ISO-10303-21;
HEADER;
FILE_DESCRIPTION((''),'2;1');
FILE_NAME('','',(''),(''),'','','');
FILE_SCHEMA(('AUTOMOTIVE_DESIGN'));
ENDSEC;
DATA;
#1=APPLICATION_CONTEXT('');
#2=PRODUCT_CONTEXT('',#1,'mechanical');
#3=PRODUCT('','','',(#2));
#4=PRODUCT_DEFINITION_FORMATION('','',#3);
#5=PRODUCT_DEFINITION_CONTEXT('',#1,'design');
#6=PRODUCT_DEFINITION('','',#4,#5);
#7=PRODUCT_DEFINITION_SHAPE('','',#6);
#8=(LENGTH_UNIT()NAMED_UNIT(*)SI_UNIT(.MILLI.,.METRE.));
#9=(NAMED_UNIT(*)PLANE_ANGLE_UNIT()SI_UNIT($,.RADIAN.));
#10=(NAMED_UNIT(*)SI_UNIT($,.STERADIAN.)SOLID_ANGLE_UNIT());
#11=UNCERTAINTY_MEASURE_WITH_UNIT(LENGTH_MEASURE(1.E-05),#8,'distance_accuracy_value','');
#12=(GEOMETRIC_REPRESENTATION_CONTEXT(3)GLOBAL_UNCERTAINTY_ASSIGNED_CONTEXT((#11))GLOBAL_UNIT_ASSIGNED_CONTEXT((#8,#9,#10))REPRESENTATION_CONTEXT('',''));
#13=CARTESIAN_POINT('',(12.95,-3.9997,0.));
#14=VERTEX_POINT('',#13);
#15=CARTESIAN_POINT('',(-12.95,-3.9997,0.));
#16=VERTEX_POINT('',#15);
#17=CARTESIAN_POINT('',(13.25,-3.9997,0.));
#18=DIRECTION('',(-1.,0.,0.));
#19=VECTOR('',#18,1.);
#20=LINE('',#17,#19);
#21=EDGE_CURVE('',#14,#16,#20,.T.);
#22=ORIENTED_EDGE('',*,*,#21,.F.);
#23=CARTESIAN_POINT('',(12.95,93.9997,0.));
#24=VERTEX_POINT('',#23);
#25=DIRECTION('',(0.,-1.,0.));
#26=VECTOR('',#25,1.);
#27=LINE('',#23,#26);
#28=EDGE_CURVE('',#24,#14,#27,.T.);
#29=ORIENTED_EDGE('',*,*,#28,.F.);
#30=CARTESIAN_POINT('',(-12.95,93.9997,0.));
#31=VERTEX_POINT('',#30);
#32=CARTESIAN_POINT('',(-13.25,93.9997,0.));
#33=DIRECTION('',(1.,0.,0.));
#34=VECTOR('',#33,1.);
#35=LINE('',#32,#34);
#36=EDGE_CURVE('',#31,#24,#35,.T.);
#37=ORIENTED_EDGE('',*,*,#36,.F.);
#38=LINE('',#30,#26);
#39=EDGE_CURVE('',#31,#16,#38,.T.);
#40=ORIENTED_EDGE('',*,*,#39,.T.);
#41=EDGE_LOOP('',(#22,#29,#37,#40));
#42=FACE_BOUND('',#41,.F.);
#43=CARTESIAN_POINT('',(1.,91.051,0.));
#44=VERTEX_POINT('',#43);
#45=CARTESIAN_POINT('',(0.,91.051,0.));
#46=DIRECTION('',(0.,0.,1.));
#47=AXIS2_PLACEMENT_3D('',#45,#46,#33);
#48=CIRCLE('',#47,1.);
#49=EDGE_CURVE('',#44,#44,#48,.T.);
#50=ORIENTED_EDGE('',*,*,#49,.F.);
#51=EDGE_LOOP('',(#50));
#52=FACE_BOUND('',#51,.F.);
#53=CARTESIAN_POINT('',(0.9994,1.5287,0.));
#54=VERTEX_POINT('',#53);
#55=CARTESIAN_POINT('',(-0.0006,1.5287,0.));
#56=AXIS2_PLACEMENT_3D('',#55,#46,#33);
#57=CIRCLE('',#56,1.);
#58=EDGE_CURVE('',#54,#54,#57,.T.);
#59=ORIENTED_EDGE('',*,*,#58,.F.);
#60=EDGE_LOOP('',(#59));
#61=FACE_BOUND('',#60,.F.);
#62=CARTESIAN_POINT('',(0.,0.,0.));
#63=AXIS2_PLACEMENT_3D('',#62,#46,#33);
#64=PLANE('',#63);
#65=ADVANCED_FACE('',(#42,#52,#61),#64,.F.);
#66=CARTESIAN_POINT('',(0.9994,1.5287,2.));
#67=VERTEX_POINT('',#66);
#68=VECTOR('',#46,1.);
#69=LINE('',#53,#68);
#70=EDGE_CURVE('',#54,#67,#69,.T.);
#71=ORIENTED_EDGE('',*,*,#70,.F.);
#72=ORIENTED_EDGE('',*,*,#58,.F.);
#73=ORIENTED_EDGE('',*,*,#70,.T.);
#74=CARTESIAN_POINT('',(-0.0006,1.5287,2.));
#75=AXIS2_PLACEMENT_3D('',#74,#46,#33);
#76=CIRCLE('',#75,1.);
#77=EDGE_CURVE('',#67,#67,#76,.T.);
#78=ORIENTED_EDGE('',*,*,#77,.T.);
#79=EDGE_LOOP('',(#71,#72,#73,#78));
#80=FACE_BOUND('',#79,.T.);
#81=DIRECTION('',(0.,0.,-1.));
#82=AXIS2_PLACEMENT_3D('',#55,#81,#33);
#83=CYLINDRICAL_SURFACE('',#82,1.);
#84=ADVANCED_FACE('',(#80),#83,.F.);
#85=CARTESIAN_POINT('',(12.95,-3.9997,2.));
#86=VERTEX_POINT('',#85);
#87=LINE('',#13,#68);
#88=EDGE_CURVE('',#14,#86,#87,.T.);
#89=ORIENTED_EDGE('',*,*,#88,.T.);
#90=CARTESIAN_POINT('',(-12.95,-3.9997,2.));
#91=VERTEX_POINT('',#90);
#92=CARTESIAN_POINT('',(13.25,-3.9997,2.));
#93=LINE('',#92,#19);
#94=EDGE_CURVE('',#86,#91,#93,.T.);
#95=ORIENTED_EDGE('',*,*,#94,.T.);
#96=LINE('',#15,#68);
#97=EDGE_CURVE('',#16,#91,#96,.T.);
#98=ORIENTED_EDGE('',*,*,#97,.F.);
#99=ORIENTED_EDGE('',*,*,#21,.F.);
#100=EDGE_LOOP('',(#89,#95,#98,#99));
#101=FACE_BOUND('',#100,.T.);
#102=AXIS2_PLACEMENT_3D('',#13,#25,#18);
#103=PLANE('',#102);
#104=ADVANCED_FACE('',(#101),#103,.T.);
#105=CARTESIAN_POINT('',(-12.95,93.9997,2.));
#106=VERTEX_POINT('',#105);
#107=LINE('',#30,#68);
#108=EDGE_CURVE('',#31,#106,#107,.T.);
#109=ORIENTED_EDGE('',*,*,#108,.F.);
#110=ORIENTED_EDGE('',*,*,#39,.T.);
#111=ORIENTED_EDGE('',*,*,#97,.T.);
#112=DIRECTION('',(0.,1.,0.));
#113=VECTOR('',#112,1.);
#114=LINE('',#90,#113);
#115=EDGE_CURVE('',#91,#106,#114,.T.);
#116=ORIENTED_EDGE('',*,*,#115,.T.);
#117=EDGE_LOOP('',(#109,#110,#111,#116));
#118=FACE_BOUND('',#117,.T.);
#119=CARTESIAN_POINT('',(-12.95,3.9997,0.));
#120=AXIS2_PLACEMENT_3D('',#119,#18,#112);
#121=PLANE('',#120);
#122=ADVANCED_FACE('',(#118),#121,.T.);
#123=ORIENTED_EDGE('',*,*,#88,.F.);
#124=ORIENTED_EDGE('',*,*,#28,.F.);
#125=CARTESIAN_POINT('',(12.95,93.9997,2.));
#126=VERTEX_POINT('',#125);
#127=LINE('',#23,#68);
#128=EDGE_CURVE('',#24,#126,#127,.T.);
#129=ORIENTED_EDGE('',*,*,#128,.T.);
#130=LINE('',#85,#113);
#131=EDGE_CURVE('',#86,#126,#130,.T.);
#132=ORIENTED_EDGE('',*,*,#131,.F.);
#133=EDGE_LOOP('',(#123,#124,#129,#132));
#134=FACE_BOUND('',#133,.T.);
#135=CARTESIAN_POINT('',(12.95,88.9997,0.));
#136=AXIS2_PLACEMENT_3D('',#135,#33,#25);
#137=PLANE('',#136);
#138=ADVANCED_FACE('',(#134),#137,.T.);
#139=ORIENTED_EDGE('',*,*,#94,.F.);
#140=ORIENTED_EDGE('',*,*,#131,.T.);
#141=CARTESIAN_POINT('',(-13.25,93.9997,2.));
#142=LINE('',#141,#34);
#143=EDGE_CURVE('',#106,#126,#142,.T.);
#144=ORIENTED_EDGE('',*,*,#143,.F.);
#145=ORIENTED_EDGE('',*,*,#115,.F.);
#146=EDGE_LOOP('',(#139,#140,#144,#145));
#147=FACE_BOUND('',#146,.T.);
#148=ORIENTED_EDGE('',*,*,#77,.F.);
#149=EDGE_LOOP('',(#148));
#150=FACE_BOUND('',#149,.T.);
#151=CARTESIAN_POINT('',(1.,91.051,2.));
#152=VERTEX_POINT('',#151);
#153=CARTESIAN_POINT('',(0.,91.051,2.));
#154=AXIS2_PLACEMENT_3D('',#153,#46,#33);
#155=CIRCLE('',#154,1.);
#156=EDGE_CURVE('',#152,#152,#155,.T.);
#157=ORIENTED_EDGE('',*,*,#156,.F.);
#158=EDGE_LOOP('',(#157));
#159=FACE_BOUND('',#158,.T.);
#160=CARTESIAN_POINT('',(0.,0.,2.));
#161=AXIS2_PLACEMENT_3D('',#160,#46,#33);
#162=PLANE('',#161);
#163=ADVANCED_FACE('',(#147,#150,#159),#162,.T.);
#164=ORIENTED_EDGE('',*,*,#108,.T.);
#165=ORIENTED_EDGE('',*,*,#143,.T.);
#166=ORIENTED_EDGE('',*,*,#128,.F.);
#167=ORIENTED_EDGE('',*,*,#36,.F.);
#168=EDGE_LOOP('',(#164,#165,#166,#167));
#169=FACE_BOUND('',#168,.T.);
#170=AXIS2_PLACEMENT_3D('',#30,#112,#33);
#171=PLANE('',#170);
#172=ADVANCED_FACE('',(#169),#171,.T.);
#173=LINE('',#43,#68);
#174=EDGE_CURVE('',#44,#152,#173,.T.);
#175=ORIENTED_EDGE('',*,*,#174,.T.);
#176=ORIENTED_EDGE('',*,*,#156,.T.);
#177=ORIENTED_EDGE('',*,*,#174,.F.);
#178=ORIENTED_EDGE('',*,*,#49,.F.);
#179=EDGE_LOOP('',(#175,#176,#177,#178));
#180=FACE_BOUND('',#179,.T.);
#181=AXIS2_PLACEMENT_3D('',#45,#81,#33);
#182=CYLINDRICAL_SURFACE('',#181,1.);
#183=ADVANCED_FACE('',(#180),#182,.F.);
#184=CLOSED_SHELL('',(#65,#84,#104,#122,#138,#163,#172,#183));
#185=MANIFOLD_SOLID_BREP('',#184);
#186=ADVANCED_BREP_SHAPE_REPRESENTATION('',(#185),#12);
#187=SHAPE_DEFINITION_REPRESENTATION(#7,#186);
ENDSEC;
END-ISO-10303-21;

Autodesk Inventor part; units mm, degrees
ref_plane "YZ Plane" through (0, 0, 0) normal (1, 0, 0) x (0, 1, 0)
ref_plane "XZ Plane" through (0, 0, 0) normal (0, 1, 0) x (-1, 0, 0)
ref_plane "XY Plane" through (0, 0, 0) normal (0, 0, 1) x (1, 0, 0)
sketch "スケッチ1" plane through (0, 0, 0) normal (0, 0, 1) x (1, 0, 0)
  circle A0 centre (-0.0006, 1.5287) radius 1 projected
  line L0 (-13.25, 3.9997) -> (13.25, 3.9997) projected
  line L1 (-13.25, -3.9997) -> (-13.25, 3.9997) projected
  line L2 (13.25, -3.9997) -> (-13.25, -3.9997) projected
  line L3 (13.25, 3.9997) -> (13.25, -3.9997) projected
  circle A1 centre (0, 91.051) radius 1 projected
  line L4 (13.25, 88.9997) -> (-13.25, 88.9997) projected
  line L5 (13.25, 93.9997) -> (13.25, 88.9997) projected
  line L6 (-13.25, 93.9997) -> (13.25, 93.9997) projected
  line L7 (-13.25, 88.9997) -> (-13.25, 93.9997) projected
  line L8 (12.95, -3.9997) -> (-12.95, -3.9997)
  line L9 (-12.95, -3.9997) -> (-12.95, 93.9997)
  line L10 (-12.95, 93.9997) -> (12.95, 93.9997)
  line L11 (12.95, 93.9997) -> (12.95, -3.9997)
  point P0 (0, 0)
  point P1 (0, -3.9997)
  point P2 (0, -3.9997)
  dimension "d0" = 0.3
extrude "押し出し1" add sketch "スケッチ1" along normal blind 2 contours L9 L4 L11 L0 | L0 L11 L2 L9 | L9 L6 L11 L4
properties part number "ff-hta"
